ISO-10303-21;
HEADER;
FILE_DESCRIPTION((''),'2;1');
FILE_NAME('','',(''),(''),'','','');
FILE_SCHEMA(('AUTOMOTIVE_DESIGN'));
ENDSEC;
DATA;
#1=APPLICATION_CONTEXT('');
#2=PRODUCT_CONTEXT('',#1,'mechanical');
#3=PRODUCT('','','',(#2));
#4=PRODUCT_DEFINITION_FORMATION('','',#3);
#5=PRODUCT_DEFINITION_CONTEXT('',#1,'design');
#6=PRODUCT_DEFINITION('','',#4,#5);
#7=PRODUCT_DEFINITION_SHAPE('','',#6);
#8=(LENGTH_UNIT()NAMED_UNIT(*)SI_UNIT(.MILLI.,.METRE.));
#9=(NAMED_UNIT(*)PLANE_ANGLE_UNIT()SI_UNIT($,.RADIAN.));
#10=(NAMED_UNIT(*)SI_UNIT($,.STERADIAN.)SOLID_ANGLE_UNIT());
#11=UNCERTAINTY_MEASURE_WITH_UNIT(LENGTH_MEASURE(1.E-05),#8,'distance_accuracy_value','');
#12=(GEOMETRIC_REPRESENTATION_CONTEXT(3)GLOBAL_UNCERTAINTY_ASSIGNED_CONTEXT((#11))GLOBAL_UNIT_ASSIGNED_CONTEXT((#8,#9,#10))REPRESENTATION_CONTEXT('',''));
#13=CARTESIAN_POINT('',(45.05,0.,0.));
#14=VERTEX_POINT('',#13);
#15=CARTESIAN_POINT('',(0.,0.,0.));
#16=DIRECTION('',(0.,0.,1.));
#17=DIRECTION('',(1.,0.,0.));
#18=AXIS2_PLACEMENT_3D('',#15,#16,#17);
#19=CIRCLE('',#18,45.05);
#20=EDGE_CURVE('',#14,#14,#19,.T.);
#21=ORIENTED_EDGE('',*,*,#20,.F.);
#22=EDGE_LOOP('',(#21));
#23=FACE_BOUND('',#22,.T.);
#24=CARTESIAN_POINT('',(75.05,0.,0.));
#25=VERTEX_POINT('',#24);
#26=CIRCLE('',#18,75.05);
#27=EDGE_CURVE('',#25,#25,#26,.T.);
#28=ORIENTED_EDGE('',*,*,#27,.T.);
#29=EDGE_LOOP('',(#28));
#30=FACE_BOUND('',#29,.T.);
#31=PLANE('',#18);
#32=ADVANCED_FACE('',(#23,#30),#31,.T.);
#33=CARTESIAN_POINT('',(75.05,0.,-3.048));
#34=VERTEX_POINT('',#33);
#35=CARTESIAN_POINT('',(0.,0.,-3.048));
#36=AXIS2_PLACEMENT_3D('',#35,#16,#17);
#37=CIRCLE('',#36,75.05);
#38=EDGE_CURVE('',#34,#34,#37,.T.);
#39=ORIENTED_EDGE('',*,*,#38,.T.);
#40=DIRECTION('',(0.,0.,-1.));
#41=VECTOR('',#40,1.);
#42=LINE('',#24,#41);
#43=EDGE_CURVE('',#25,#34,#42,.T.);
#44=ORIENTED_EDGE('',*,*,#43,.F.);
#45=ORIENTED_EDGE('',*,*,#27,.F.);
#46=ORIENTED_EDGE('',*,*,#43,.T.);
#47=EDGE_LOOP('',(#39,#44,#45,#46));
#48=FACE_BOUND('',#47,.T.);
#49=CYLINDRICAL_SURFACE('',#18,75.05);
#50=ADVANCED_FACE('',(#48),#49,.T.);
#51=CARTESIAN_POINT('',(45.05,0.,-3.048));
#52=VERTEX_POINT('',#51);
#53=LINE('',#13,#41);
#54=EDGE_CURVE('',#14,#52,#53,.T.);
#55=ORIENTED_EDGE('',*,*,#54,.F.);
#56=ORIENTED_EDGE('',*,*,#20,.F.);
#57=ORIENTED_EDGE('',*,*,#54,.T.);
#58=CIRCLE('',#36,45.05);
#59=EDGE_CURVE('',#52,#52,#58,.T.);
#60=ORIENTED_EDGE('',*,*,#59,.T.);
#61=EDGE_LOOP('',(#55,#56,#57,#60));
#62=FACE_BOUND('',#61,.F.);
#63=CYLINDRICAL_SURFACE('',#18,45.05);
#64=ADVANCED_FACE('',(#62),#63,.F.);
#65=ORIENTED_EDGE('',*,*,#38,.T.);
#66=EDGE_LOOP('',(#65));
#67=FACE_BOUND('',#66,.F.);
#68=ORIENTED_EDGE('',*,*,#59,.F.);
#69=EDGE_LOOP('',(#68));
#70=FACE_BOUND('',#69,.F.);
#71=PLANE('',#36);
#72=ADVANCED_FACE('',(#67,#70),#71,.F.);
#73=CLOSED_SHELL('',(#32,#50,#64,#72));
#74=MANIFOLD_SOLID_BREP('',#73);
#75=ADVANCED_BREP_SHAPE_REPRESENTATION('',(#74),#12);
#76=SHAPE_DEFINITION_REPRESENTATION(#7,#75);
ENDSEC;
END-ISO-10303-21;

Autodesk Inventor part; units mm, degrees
ref_plane "YZ Plane" through (0, 0, 0) normal (1, 0, 0) x (0, 1, 0)
ref_plane "XZ Plane" through (0, 0, 0) normal (0, 1, 0) x (-1, 0, 0)
ref_plane "XY Plane" through (0, 0, 0) normal (0, 0, 1) x (1, 0, 0)
sketch "Sketch1" plane through (0, 0, 0) normal (0, 0, 1) x (1, 0, 0)
  circle A0 centre (0, 0) radius 45.05
  circle A1 centre (0, 0) radius 75.05
  dimension "d0" = 90.1
  dimension "d1" = 150.1
extrude "Plate1" add sketch "Sketch1" against normal blind 3.048
equation "\"BendReliefWidth\" = Thickness"
equation "\"BendReliefDepth\" = 0.5 * Thickness"
equation "\"CornerReliefSize\" = 4 * Thickness"
equation "\"MinimumRemnant\" = 2 * Thickness"
equation "\"TransitionRadius\" = BendRadius"
equation "\"JacobiRadiusSize\" = BendRadius"
equation "\"GapSize\" = Thickness"
equation "\"BendRadius\" = Thickness"
properties part number "MSC 0392 flange 2" material "Stainless Steel"
